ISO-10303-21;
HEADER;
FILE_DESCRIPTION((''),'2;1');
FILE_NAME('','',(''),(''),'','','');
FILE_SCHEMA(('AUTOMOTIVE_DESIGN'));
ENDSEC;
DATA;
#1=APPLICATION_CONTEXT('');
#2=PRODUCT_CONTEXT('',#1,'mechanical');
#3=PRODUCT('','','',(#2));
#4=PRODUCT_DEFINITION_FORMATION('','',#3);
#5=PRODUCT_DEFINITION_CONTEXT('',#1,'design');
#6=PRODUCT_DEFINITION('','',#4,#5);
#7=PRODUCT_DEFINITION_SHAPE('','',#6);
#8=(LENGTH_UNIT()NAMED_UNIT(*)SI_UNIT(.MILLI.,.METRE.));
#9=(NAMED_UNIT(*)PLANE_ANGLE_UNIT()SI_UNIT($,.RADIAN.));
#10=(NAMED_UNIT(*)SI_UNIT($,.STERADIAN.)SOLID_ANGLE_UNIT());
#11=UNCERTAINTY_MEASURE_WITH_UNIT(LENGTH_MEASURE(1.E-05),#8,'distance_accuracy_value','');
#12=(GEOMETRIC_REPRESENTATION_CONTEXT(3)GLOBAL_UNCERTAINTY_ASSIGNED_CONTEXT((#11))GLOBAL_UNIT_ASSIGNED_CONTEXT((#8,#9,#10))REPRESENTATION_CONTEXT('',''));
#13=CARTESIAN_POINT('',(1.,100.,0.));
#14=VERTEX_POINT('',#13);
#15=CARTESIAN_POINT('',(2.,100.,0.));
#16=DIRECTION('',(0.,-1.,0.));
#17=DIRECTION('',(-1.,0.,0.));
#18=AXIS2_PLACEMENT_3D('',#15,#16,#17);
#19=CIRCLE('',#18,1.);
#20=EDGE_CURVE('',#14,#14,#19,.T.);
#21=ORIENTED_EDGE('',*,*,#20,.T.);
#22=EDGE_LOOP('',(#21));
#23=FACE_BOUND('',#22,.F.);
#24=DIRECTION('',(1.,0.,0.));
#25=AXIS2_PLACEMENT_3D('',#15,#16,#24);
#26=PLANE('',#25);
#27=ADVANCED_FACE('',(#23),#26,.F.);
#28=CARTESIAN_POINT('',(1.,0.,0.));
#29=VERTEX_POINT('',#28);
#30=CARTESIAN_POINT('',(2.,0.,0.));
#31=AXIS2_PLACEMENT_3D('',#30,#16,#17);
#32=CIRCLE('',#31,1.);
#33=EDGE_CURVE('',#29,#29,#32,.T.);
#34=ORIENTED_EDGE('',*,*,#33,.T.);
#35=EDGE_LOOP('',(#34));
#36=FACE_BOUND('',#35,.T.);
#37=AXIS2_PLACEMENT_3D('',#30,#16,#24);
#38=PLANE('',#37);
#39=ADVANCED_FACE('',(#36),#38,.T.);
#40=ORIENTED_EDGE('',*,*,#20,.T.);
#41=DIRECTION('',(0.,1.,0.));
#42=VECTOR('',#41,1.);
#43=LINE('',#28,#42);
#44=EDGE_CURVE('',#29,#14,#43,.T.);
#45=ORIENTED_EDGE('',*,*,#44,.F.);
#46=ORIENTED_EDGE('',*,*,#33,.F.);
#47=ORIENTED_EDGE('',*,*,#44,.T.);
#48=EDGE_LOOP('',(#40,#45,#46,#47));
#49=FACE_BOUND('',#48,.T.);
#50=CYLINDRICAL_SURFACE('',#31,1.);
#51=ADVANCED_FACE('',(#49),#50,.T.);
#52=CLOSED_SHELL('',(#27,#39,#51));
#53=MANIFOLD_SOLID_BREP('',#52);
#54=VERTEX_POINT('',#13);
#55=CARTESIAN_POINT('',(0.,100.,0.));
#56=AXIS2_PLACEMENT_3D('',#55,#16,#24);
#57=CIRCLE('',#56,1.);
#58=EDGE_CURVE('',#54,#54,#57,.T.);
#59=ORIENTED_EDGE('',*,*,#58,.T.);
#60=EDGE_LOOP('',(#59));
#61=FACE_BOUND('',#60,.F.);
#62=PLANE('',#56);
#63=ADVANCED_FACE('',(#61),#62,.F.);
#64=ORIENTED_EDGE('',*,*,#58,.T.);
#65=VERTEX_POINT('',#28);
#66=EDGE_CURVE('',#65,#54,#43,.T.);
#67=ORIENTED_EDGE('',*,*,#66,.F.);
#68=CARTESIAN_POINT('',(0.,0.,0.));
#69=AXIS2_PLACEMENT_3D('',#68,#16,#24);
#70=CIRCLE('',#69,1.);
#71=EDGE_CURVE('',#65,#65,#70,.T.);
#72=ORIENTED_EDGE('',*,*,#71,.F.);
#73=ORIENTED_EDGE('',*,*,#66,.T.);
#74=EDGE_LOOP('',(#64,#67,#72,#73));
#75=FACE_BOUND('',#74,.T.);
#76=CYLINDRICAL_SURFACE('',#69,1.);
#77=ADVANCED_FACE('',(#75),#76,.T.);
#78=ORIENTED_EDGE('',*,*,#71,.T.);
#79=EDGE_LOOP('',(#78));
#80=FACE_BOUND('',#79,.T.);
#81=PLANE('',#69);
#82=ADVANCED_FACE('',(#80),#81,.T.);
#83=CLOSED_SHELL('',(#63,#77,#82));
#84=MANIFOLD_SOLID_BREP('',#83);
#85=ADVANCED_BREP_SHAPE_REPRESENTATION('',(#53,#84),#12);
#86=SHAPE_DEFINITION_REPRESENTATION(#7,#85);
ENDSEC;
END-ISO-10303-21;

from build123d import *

# Parameters (mm, degrees)
F0_R     = 1
F1_DEPTH = 100


with BuildPart() as f1:
    # F0 (on Front) → F1 (new body)
    with BuildSketch(Plane.XZ):
        Circle(F0_R)
        with BuildLine():
            ThreePointArc((3, 0), (2, 1), (1, 0))
            ThreePointArc((1, 0), (2, -1), (3, 0))
        make_face()
    extrude(amount=-F1_DEPTH)


solid = f1.part
